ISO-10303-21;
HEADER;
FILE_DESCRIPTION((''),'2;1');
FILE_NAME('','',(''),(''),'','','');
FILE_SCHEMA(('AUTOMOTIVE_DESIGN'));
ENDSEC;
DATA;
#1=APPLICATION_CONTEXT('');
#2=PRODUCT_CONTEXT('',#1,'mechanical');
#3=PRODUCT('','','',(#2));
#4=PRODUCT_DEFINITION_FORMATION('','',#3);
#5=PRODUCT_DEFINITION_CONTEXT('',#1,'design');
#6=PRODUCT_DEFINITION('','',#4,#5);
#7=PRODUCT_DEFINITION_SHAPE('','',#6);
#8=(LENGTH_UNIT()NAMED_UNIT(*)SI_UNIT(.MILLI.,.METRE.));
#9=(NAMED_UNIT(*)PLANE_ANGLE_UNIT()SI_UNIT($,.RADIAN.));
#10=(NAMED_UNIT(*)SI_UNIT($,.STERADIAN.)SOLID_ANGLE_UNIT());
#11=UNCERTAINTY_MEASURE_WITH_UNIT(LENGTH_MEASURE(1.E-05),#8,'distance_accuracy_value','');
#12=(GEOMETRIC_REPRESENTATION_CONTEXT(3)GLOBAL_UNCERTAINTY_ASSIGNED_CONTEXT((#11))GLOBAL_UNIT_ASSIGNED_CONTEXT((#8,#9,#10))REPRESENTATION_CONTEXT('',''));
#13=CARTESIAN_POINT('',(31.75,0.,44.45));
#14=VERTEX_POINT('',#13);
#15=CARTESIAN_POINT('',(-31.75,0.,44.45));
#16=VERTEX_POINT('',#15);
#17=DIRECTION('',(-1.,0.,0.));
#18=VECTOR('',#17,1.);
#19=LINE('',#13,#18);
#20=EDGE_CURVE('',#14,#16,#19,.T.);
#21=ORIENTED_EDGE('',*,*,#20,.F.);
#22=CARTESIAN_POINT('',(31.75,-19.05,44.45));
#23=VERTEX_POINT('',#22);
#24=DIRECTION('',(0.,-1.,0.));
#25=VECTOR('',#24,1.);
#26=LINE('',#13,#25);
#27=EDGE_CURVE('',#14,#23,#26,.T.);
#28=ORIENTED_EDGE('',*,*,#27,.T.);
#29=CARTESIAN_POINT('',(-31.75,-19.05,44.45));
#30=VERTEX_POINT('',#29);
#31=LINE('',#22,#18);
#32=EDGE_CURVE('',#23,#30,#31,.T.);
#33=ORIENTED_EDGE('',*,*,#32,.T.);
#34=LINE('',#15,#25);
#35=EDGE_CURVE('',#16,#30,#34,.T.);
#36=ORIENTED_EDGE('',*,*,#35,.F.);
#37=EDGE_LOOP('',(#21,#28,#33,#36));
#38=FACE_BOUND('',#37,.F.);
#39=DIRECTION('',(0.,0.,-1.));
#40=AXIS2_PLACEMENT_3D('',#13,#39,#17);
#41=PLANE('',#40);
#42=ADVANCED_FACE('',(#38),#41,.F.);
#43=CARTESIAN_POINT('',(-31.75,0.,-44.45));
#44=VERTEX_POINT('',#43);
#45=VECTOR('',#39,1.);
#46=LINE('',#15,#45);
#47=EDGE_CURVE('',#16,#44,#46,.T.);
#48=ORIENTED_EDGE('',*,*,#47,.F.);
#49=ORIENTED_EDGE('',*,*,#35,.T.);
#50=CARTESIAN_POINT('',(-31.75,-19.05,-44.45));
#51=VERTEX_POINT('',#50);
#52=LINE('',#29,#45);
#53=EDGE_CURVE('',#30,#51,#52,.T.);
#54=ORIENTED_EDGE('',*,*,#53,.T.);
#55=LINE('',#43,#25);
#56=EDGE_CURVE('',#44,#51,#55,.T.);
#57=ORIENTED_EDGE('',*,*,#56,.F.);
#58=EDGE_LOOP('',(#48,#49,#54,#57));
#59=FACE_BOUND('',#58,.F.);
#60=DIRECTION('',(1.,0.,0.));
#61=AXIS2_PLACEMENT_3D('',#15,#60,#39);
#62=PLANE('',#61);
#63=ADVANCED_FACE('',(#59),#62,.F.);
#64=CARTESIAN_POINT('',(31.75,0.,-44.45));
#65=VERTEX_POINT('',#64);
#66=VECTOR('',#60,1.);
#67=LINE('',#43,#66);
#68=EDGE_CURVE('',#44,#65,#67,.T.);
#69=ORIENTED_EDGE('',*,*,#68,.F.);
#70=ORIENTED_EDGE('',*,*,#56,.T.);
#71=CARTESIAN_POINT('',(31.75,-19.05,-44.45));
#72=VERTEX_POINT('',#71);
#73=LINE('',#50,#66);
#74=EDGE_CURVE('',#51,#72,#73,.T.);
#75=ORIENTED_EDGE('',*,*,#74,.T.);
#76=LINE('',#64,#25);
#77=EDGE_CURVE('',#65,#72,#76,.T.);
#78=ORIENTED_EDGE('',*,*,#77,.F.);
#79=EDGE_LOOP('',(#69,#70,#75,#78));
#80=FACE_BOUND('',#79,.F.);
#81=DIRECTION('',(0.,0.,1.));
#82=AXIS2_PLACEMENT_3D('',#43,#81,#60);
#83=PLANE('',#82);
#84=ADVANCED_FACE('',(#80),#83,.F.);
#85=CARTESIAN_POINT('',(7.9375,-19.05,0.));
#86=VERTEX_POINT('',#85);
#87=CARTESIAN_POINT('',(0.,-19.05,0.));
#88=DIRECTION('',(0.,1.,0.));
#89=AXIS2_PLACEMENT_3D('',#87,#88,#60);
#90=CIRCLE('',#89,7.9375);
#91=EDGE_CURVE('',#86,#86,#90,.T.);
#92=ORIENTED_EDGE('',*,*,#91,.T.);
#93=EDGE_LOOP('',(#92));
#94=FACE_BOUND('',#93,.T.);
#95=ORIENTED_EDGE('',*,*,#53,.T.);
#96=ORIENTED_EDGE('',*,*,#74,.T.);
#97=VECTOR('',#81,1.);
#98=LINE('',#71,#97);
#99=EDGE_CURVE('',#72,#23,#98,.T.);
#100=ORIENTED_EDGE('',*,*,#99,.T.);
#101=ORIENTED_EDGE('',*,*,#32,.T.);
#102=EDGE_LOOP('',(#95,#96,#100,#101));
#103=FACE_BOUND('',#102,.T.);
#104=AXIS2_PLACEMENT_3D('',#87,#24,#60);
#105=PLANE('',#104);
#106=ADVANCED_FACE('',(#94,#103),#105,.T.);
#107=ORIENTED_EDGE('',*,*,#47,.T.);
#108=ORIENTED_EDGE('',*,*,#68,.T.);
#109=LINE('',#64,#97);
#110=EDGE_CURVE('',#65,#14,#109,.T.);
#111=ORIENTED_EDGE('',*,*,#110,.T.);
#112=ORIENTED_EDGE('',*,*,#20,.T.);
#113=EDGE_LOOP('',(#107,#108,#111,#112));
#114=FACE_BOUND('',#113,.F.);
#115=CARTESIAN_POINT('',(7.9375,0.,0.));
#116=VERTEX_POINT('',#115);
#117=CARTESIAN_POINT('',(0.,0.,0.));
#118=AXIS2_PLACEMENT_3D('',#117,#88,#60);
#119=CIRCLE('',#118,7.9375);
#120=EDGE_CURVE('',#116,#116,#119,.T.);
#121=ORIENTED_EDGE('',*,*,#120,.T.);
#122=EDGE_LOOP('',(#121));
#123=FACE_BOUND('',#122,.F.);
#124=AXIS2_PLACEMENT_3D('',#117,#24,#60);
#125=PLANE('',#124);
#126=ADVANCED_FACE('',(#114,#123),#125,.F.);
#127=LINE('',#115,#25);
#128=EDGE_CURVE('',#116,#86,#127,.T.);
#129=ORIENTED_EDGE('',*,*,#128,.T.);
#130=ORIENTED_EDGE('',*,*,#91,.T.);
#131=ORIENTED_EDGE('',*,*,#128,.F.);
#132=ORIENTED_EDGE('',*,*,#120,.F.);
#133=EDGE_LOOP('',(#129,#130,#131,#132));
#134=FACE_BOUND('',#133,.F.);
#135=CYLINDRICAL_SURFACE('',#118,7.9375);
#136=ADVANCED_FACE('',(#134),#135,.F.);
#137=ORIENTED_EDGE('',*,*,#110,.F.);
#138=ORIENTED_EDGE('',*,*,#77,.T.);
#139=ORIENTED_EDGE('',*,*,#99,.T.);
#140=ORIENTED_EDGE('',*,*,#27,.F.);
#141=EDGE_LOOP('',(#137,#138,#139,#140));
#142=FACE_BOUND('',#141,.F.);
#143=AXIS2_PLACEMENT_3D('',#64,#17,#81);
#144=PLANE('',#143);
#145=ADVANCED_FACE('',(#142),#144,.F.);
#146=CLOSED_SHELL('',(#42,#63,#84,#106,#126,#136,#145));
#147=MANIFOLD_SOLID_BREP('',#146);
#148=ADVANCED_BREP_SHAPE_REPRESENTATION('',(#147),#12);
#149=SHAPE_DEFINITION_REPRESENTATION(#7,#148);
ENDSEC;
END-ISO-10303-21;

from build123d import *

# Parameters (mm, degrees)
F2_DEPTH = 19.05


with BuildPart() as f2:
    # F1 (on face) → F2 (new body)
    with BuildSketch(Plane.XZ):
        Polygon((-31.75, 44.45), (-31.75, 0), (-31.75, -44.45), (0, -44.45), (31.75, -44.45), (31.75, 0), (31.75, 44.45), (0, 44.45), align=None)
        with BuildLine():
            ThreePointArc((-7.9375, 0), (0, 7.9375), (7.9375, 0))
            ThreePointArc((7.9375, 0), (0, -7.9375), (-7.9375, 0))
        make_face(mode=Mode.SUBTRACT)
    extrude(amount=F2_DEPTH)


solid = f2.part
